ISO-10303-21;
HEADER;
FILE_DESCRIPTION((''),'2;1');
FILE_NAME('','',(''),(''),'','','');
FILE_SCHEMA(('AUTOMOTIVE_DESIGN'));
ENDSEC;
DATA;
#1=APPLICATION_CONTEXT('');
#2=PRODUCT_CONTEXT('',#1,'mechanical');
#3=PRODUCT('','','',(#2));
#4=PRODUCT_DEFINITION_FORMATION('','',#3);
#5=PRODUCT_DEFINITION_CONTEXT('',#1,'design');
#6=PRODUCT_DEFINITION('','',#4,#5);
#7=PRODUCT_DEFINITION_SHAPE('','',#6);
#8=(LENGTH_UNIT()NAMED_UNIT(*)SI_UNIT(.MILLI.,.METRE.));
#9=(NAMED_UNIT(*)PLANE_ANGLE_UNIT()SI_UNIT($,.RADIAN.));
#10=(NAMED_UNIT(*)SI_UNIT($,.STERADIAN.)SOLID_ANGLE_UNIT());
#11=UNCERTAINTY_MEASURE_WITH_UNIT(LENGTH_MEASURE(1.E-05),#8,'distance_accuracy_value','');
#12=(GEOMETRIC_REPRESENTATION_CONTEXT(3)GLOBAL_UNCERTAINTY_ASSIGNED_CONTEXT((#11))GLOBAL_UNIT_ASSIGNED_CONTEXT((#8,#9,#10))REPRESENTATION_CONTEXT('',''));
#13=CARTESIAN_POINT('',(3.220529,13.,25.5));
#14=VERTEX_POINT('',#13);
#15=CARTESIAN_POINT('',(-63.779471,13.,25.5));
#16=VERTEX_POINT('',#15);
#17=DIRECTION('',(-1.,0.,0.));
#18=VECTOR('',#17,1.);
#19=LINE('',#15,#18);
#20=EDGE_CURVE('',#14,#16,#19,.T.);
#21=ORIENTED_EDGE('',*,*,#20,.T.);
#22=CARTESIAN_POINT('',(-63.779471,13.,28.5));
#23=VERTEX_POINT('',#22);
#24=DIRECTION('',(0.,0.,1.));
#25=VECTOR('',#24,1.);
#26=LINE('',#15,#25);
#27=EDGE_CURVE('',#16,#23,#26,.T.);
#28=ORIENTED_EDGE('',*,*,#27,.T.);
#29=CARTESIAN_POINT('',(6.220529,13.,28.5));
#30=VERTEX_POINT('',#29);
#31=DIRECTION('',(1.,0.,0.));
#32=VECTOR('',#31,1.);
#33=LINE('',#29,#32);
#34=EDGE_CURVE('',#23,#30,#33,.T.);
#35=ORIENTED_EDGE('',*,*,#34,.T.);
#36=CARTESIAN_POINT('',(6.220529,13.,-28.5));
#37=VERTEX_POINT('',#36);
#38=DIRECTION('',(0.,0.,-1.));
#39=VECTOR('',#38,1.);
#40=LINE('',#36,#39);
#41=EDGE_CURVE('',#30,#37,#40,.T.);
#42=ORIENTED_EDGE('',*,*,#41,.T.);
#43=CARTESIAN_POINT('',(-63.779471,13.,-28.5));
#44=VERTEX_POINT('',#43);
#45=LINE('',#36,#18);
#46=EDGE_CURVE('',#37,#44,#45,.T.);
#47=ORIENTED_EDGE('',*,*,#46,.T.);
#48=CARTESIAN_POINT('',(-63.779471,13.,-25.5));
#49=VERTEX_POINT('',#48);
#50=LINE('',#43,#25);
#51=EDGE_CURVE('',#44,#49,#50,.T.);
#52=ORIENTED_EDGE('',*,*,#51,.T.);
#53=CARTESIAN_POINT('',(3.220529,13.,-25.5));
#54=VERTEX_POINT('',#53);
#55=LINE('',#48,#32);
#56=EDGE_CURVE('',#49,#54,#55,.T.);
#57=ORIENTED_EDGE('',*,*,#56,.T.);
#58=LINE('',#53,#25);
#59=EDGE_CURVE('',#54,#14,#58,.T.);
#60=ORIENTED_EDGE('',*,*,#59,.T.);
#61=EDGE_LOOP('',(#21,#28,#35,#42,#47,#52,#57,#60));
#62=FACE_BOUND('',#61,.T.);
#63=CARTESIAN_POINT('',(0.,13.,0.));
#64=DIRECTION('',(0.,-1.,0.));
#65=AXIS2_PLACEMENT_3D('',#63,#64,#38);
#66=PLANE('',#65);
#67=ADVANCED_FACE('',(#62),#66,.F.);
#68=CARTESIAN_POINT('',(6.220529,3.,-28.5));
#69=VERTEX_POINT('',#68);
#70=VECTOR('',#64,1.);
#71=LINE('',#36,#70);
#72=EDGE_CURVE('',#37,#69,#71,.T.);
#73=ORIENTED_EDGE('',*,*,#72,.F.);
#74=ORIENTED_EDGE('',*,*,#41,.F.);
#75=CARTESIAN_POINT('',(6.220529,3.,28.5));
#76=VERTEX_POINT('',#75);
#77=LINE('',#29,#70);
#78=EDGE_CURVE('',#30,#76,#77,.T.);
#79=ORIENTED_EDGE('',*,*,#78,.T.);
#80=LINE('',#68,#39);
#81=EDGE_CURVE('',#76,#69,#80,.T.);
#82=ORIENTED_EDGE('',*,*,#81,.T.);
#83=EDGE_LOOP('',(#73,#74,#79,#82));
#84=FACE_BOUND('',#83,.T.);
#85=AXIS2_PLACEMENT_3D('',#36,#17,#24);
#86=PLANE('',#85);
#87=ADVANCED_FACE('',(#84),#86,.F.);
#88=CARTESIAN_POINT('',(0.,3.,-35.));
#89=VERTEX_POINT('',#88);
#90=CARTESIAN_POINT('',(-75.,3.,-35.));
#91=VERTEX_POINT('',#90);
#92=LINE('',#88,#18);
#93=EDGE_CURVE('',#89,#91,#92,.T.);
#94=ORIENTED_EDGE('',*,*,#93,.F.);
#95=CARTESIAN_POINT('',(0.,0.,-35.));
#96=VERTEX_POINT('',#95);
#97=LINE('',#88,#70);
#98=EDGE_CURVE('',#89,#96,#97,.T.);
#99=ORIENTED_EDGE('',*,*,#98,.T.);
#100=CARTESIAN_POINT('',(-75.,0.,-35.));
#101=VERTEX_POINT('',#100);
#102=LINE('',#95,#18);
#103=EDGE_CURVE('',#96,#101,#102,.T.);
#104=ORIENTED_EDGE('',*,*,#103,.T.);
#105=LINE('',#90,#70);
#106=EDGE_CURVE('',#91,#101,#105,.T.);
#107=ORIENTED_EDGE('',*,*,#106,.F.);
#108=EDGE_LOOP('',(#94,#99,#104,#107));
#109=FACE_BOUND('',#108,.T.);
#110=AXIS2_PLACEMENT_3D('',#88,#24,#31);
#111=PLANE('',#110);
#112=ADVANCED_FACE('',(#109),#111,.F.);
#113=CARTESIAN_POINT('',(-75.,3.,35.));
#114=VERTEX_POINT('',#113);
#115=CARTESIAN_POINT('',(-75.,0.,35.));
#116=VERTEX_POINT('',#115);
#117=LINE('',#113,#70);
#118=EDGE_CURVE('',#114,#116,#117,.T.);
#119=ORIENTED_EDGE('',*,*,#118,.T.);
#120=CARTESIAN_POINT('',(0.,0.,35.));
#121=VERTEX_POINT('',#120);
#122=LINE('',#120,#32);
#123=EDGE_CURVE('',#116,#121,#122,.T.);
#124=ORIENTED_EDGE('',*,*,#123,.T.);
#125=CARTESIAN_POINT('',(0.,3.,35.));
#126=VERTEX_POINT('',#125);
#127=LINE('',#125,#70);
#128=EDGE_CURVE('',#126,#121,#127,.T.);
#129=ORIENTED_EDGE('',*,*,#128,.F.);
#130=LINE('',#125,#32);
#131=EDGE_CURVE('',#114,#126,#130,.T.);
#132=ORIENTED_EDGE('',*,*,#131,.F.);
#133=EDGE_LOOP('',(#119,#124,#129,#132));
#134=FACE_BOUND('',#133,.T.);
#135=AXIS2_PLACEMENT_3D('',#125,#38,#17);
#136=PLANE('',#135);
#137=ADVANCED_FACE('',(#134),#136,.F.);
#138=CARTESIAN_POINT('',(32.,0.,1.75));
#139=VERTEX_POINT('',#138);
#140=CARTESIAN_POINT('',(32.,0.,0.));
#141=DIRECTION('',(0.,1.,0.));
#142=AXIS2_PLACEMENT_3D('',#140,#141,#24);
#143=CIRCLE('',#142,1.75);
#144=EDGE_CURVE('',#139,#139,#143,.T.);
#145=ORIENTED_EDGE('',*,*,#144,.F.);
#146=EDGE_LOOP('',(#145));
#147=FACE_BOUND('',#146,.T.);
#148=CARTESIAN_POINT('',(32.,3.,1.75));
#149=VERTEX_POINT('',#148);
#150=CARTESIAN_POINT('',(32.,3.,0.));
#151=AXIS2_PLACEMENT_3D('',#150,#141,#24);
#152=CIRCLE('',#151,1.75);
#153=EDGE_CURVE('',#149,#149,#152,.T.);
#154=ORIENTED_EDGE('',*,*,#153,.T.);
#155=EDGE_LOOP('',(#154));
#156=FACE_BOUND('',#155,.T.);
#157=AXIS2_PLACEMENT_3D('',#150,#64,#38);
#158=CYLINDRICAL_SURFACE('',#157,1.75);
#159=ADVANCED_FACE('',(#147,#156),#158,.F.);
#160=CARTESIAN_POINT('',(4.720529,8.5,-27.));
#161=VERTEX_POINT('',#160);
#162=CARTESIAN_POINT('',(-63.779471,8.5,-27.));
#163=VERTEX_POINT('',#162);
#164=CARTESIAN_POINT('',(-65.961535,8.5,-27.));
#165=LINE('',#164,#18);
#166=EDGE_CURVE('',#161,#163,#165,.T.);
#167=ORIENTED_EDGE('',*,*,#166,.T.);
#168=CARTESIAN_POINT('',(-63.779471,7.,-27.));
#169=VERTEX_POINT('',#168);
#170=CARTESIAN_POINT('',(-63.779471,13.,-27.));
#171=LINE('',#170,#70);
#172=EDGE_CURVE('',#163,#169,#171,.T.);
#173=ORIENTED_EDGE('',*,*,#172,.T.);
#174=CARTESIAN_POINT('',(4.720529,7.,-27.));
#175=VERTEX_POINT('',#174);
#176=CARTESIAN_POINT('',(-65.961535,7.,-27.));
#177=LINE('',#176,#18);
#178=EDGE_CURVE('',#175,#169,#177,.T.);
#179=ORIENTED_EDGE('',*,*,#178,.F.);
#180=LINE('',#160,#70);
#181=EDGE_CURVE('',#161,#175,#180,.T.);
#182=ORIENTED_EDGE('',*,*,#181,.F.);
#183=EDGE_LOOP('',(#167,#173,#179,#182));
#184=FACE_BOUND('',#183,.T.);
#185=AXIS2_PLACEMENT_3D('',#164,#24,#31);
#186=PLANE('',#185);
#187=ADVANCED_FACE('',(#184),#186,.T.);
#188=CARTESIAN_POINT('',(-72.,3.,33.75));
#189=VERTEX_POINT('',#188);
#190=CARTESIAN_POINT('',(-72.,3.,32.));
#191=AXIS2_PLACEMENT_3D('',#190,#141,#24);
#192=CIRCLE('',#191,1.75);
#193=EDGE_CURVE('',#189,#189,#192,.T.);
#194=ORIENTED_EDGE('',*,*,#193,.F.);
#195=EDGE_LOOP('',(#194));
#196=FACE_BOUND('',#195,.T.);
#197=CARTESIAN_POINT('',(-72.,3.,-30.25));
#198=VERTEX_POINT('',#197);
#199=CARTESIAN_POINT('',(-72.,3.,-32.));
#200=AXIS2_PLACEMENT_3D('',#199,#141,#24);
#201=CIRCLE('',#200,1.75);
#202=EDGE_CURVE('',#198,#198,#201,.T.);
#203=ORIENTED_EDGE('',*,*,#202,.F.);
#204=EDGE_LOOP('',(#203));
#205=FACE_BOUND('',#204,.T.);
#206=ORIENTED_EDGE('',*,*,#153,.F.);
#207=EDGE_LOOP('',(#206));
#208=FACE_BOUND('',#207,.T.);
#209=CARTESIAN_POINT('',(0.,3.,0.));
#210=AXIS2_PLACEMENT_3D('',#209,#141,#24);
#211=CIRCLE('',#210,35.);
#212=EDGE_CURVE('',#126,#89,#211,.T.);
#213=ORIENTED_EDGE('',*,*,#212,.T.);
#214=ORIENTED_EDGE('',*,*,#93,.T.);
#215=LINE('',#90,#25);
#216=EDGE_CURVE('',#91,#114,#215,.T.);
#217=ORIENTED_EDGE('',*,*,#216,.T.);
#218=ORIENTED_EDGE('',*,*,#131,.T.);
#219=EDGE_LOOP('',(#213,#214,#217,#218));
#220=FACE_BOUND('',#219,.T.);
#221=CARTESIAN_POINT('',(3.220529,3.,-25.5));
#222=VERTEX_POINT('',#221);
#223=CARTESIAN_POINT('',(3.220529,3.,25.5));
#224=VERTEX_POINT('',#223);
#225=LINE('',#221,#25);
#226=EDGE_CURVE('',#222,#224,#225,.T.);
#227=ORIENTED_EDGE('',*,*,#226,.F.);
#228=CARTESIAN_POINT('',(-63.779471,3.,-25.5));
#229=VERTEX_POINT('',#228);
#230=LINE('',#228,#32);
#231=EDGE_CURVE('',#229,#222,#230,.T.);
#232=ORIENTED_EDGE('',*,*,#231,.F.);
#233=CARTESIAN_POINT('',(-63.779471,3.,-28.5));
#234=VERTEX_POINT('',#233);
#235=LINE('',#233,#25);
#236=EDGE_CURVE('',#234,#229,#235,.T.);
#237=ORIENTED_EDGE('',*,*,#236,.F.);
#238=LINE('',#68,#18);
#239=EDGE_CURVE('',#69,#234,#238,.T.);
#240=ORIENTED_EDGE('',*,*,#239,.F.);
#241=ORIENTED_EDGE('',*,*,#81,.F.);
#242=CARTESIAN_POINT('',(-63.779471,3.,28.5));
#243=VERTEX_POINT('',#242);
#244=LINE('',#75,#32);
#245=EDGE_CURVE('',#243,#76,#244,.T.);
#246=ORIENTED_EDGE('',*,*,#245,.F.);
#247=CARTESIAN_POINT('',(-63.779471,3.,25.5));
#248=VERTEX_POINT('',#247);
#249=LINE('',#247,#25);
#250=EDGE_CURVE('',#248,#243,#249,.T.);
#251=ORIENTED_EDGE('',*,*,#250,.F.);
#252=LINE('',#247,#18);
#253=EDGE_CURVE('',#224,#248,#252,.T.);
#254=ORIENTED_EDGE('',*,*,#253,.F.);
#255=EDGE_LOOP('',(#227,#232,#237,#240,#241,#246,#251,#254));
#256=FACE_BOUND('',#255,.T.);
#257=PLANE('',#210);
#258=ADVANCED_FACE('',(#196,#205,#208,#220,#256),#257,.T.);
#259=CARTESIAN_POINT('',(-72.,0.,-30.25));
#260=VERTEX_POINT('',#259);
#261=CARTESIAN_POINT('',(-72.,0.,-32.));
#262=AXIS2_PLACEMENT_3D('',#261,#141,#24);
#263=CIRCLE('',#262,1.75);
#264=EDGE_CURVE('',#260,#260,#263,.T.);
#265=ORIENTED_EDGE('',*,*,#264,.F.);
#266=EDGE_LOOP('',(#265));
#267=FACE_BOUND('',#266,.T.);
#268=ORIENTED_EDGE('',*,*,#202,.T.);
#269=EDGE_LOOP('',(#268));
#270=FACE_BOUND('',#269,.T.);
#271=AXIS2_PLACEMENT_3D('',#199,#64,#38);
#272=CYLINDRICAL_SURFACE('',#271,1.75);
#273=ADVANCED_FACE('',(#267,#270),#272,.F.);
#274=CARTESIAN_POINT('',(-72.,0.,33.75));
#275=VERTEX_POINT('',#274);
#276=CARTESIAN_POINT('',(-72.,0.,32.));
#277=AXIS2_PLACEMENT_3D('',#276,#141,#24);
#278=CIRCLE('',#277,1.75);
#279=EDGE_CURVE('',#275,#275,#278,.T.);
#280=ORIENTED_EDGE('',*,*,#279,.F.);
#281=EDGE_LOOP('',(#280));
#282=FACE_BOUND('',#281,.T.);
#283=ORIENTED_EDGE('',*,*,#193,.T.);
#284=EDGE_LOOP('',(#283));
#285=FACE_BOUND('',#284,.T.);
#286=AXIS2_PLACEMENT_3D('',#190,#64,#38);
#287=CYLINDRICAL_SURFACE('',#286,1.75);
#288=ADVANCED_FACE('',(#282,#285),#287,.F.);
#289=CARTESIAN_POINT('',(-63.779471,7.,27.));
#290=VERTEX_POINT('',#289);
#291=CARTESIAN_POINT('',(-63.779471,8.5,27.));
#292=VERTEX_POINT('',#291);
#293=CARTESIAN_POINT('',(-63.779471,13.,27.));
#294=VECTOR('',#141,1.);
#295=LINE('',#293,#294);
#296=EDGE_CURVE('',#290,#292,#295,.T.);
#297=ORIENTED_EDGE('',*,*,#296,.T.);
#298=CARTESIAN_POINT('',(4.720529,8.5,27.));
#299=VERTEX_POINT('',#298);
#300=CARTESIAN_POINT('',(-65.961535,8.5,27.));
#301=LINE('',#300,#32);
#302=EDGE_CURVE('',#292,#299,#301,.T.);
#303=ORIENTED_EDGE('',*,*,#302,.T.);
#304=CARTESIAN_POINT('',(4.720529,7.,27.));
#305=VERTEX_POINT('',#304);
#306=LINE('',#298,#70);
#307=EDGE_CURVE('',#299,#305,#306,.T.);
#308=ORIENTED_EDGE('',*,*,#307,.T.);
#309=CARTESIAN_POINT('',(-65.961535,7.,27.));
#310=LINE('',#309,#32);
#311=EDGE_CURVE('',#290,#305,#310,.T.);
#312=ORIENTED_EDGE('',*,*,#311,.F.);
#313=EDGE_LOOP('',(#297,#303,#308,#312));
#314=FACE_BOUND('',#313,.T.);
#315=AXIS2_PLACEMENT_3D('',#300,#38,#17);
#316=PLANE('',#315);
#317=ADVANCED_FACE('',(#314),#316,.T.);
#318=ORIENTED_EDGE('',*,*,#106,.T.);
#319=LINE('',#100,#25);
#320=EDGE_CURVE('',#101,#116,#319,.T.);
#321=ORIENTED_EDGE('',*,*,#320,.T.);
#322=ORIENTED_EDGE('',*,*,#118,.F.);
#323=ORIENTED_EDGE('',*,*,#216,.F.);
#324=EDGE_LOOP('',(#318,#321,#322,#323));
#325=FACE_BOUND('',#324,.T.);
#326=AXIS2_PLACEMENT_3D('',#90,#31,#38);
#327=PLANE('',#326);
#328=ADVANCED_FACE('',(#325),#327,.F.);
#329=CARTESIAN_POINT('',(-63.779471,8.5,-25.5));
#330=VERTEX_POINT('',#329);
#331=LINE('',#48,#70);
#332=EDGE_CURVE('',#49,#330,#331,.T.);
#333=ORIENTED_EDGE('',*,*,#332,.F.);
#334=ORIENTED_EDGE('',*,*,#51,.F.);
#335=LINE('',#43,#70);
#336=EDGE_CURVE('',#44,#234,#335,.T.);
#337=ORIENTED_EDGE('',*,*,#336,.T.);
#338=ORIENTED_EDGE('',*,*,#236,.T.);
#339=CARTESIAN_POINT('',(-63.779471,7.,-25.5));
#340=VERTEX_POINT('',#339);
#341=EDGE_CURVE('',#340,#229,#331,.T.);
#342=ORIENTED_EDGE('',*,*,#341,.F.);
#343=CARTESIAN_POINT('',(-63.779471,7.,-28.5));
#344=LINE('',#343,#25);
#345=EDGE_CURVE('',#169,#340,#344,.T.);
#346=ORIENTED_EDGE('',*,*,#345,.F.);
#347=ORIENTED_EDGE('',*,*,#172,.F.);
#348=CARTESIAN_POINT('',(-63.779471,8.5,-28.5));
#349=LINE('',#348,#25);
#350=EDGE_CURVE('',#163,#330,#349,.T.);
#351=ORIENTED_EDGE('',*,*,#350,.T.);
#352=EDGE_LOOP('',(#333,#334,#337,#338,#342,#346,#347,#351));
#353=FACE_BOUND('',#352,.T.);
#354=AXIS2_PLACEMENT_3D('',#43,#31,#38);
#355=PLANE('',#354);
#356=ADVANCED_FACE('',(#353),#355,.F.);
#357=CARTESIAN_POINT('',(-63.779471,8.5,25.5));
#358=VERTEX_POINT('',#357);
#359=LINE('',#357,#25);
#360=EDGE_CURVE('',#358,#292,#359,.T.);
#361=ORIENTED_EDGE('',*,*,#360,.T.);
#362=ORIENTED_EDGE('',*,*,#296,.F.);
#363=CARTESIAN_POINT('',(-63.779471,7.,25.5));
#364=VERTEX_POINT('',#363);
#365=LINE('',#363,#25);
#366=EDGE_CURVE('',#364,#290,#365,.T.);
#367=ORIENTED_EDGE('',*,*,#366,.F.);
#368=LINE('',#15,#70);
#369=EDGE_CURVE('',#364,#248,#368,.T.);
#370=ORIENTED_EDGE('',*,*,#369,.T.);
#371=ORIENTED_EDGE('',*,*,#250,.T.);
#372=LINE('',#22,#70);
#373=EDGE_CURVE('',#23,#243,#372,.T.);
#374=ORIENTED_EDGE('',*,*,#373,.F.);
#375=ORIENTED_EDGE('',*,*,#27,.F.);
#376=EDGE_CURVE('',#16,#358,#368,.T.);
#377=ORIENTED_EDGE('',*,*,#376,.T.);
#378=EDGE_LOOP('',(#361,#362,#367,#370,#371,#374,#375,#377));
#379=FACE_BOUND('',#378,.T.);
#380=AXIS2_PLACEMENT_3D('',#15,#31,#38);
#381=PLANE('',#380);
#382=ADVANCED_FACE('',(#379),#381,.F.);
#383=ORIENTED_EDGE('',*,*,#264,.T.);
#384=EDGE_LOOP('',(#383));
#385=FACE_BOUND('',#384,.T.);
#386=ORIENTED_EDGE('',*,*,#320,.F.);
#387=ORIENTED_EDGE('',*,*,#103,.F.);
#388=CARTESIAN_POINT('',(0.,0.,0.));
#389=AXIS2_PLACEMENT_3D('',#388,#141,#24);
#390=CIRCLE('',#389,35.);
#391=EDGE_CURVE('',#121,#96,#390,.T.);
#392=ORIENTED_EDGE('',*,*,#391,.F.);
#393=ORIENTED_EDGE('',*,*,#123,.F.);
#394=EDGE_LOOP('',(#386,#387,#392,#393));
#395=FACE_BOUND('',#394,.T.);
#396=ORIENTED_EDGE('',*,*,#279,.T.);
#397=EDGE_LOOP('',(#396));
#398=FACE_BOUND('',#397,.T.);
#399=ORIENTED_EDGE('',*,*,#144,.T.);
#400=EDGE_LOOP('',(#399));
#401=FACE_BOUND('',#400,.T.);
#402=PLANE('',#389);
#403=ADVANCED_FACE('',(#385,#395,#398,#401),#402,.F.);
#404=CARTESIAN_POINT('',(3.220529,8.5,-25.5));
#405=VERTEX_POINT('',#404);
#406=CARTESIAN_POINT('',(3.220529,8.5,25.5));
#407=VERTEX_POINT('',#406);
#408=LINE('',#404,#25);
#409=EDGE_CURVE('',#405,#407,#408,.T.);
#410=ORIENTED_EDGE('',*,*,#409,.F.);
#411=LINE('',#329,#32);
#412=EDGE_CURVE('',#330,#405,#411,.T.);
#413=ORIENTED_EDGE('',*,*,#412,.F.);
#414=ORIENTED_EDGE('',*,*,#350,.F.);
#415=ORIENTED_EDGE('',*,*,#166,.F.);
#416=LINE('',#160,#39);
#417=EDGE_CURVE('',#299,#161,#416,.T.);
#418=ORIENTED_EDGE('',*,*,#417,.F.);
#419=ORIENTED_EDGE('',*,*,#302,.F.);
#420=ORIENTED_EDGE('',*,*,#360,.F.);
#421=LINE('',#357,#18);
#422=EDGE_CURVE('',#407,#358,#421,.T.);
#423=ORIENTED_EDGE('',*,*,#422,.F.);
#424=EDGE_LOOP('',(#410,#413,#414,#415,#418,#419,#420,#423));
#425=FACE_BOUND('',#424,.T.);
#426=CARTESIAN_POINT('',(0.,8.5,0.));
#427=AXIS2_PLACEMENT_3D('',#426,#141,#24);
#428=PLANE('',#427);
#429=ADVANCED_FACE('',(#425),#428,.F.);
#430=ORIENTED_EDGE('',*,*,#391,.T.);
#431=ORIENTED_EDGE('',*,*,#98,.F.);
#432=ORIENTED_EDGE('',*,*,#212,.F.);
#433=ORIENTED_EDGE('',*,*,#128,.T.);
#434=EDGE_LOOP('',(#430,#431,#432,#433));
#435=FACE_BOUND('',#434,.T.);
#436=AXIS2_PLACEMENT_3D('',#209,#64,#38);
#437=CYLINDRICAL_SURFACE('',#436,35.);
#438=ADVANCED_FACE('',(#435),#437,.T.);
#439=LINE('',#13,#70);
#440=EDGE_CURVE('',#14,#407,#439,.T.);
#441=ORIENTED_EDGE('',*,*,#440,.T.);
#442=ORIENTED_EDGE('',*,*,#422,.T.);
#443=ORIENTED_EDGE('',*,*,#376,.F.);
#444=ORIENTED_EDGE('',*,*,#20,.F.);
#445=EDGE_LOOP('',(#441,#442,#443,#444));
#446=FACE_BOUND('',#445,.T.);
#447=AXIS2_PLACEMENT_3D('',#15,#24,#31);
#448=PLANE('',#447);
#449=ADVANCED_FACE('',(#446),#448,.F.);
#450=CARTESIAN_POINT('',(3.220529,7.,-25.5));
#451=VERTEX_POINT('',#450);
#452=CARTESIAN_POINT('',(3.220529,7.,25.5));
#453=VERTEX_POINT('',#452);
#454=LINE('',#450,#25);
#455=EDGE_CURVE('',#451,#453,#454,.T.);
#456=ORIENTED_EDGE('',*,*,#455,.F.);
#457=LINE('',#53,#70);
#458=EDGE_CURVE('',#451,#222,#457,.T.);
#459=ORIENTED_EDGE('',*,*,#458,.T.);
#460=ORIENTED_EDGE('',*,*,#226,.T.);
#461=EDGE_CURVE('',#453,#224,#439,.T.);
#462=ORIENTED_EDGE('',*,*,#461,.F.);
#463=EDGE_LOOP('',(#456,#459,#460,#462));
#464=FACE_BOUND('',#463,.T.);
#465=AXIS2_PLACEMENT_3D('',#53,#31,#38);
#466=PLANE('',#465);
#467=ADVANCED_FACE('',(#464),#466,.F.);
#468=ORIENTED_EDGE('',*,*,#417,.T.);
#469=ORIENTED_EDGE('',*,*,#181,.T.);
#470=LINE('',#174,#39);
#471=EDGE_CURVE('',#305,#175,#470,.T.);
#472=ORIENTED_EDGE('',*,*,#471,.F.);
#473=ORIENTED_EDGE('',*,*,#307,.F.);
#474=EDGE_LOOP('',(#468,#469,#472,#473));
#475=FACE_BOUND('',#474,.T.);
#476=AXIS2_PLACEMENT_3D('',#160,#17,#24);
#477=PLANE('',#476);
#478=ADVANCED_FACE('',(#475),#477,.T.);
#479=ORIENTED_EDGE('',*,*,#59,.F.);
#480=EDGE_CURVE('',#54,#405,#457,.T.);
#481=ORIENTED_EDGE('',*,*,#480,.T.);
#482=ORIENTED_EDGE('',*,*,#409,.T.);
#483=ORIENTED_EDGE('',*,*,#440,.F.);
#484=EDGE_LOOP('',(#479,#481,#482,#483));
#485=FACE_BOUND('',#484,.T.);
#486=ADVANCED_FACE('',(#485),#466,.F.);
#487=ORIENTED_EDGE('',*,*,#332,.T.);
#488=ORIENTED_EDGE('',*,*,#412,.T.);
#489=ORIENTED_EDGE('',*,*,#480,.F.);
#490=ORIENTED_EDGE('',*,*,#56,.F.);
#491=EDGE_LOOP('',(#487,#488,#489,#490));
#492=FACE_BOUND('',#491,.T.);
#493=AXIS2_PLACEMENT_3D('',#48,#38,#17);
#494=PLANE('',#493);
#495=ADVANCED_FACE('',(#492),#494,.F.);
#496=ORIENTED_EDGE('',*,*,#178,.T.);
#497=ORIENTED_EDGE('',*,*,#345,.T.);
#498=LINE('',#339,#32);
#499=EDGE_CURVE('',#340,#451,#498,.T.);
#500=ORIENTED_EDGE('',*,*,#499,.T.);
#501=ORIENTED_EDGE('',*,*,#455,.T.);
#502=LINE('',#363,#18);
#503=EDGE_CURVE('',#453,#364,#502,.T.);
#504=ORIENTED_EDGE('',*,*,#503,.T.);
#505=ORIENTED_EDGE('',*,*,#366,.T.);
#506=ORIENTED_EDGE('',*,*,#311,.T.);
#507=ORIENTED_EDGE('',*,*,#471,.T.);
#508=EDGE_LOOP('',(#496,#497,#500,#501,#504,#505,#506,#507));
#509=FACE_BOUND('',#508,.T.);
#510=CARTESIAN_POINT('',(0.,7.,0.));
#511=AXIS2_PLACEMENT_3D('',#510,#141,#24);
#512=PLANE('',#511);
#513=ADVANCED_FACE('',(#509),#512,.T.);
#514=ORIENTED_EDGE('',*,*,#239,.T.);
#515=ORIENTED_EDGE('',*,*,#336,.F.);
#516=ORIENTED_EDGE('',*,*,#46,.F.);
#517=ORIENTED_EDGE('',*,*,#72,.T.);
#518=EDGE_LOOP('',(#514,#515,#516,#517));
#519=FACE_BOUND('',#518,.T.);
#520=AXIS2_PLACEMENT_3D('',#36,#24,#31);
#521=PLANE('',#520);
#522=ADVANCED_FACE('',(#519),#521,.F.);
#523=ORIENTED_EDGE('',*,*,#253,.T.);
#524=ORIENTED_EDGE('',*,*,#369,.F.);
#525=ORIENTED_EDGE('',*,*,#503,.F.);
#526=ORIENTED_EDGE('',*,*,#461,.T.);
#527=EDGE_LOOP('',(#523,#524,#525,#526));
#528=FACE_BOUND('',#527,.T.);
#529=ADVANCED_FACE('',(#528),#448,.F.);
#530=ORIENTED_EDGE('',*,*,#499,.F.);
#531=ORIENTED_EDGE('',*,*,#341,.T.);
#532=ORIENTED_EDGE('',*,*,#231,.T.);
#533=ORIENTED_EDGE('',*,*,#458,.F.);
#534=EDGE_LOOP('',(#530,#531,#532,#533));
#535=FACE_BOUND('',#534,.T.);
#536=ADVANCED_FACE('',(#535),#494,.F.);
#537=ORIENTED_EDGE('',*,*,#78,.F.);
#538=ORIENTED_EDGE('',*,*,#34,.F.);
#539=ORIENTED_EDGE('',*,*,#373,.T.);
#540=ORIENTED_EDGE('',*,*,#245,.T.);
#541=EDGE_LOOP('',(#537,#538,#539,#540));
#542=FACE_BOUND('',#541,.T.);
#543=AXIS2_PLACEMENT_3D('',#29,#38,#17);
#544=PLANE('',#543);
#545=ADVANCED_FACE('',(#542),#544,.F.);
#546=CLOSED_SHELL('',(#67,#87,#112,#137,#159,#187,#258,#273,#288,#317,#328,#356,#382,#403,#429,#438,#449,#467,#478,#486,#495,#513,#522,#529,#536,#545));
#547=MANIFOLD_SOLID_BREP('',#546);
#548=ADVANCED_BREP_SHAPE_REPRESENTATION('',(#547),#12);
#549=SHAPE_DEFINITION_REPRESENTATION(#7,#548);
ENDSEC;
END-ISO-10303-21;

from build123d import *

# Parameters (mm, degrees)
CROQUIS1_R              = 1.75
SALIENTE_EXTRUIR1_DEPTH = 3
SALIENTE_EXTRUIR3_DEPTH = 10
CROQUIS4_W              = 70.682064062
CROQUIS4_H              = 54
CORTAR_EXTRUIR1_DEPTH   = 1.5


with BuildPart() as part:
    # Croquis1 → Saliente-Extruir1 (new body)
    with BuildSketch(Plane(origin=(0, 0, 0), x_dir=(1, 0, 0), z_dir=(0, 1, 0))):
        with BuildLine():
            Line((0, 35), (-75, 35))
            Line((-75, 35), (-75, -35))
            Line((-75, -35), (0, -35))
            ThreePointArc((0, -35), (35, 0), (0, 35))
        make_face()
        with Locations(Location((-72, 32, 0), (0, 0, 270))):
            Circle(CROQUIS1_R, mode=Mode.SUBTRACT)
        with Locations(Location((-72, -32, 0), (0, 0, 270))):
            Circle(CROQUIS1_R, mode=Mode.SUBTRACT)
        with Locations(Location((32, 0, 0), (0, 0, 270))):
            Circle(CROQUIS1_R, mode=Mode.SUBTRACT)
    extrude(amount=SALIENTE_EXTRUIR1_DEPTH)

    # Croquis3 → Saliente-Extruir3 (add)
    with BuildSketch(Plane(origin=(0, 3, 0), x_dir=(1, 0, 0), z_dir=(0, 1, 0))):
        Polygon((6.22052857, 28.5), (-63.77947143, 28.5), (-63.77947143, 25.5), (3.22052857, 25.5), (3.22052857, -25.5), (-63.77947143, -25.5), (-63.77947143, -28.5), (6.22052857, -28.5), align=None)
    extrude(amount=SALIENTE_EXTRUIR3_DEPTH)

    # Croquis4 → Cortar-Extruir1 (cut)
    with BuildSketch(Plane(origin=(0, 7, 0), x_dir=(1, 0, 0), z_dir=(0, 1, 0))):
        with Locations((-30.620503461, 0)):
            Rectangle(CROQUIS4_W, CROQUIS4_H)
    extrude(amount=CORTAR_EXTRUIR1_DEPTH, mode=Mode.SUBTRACT)


solid = part.part
